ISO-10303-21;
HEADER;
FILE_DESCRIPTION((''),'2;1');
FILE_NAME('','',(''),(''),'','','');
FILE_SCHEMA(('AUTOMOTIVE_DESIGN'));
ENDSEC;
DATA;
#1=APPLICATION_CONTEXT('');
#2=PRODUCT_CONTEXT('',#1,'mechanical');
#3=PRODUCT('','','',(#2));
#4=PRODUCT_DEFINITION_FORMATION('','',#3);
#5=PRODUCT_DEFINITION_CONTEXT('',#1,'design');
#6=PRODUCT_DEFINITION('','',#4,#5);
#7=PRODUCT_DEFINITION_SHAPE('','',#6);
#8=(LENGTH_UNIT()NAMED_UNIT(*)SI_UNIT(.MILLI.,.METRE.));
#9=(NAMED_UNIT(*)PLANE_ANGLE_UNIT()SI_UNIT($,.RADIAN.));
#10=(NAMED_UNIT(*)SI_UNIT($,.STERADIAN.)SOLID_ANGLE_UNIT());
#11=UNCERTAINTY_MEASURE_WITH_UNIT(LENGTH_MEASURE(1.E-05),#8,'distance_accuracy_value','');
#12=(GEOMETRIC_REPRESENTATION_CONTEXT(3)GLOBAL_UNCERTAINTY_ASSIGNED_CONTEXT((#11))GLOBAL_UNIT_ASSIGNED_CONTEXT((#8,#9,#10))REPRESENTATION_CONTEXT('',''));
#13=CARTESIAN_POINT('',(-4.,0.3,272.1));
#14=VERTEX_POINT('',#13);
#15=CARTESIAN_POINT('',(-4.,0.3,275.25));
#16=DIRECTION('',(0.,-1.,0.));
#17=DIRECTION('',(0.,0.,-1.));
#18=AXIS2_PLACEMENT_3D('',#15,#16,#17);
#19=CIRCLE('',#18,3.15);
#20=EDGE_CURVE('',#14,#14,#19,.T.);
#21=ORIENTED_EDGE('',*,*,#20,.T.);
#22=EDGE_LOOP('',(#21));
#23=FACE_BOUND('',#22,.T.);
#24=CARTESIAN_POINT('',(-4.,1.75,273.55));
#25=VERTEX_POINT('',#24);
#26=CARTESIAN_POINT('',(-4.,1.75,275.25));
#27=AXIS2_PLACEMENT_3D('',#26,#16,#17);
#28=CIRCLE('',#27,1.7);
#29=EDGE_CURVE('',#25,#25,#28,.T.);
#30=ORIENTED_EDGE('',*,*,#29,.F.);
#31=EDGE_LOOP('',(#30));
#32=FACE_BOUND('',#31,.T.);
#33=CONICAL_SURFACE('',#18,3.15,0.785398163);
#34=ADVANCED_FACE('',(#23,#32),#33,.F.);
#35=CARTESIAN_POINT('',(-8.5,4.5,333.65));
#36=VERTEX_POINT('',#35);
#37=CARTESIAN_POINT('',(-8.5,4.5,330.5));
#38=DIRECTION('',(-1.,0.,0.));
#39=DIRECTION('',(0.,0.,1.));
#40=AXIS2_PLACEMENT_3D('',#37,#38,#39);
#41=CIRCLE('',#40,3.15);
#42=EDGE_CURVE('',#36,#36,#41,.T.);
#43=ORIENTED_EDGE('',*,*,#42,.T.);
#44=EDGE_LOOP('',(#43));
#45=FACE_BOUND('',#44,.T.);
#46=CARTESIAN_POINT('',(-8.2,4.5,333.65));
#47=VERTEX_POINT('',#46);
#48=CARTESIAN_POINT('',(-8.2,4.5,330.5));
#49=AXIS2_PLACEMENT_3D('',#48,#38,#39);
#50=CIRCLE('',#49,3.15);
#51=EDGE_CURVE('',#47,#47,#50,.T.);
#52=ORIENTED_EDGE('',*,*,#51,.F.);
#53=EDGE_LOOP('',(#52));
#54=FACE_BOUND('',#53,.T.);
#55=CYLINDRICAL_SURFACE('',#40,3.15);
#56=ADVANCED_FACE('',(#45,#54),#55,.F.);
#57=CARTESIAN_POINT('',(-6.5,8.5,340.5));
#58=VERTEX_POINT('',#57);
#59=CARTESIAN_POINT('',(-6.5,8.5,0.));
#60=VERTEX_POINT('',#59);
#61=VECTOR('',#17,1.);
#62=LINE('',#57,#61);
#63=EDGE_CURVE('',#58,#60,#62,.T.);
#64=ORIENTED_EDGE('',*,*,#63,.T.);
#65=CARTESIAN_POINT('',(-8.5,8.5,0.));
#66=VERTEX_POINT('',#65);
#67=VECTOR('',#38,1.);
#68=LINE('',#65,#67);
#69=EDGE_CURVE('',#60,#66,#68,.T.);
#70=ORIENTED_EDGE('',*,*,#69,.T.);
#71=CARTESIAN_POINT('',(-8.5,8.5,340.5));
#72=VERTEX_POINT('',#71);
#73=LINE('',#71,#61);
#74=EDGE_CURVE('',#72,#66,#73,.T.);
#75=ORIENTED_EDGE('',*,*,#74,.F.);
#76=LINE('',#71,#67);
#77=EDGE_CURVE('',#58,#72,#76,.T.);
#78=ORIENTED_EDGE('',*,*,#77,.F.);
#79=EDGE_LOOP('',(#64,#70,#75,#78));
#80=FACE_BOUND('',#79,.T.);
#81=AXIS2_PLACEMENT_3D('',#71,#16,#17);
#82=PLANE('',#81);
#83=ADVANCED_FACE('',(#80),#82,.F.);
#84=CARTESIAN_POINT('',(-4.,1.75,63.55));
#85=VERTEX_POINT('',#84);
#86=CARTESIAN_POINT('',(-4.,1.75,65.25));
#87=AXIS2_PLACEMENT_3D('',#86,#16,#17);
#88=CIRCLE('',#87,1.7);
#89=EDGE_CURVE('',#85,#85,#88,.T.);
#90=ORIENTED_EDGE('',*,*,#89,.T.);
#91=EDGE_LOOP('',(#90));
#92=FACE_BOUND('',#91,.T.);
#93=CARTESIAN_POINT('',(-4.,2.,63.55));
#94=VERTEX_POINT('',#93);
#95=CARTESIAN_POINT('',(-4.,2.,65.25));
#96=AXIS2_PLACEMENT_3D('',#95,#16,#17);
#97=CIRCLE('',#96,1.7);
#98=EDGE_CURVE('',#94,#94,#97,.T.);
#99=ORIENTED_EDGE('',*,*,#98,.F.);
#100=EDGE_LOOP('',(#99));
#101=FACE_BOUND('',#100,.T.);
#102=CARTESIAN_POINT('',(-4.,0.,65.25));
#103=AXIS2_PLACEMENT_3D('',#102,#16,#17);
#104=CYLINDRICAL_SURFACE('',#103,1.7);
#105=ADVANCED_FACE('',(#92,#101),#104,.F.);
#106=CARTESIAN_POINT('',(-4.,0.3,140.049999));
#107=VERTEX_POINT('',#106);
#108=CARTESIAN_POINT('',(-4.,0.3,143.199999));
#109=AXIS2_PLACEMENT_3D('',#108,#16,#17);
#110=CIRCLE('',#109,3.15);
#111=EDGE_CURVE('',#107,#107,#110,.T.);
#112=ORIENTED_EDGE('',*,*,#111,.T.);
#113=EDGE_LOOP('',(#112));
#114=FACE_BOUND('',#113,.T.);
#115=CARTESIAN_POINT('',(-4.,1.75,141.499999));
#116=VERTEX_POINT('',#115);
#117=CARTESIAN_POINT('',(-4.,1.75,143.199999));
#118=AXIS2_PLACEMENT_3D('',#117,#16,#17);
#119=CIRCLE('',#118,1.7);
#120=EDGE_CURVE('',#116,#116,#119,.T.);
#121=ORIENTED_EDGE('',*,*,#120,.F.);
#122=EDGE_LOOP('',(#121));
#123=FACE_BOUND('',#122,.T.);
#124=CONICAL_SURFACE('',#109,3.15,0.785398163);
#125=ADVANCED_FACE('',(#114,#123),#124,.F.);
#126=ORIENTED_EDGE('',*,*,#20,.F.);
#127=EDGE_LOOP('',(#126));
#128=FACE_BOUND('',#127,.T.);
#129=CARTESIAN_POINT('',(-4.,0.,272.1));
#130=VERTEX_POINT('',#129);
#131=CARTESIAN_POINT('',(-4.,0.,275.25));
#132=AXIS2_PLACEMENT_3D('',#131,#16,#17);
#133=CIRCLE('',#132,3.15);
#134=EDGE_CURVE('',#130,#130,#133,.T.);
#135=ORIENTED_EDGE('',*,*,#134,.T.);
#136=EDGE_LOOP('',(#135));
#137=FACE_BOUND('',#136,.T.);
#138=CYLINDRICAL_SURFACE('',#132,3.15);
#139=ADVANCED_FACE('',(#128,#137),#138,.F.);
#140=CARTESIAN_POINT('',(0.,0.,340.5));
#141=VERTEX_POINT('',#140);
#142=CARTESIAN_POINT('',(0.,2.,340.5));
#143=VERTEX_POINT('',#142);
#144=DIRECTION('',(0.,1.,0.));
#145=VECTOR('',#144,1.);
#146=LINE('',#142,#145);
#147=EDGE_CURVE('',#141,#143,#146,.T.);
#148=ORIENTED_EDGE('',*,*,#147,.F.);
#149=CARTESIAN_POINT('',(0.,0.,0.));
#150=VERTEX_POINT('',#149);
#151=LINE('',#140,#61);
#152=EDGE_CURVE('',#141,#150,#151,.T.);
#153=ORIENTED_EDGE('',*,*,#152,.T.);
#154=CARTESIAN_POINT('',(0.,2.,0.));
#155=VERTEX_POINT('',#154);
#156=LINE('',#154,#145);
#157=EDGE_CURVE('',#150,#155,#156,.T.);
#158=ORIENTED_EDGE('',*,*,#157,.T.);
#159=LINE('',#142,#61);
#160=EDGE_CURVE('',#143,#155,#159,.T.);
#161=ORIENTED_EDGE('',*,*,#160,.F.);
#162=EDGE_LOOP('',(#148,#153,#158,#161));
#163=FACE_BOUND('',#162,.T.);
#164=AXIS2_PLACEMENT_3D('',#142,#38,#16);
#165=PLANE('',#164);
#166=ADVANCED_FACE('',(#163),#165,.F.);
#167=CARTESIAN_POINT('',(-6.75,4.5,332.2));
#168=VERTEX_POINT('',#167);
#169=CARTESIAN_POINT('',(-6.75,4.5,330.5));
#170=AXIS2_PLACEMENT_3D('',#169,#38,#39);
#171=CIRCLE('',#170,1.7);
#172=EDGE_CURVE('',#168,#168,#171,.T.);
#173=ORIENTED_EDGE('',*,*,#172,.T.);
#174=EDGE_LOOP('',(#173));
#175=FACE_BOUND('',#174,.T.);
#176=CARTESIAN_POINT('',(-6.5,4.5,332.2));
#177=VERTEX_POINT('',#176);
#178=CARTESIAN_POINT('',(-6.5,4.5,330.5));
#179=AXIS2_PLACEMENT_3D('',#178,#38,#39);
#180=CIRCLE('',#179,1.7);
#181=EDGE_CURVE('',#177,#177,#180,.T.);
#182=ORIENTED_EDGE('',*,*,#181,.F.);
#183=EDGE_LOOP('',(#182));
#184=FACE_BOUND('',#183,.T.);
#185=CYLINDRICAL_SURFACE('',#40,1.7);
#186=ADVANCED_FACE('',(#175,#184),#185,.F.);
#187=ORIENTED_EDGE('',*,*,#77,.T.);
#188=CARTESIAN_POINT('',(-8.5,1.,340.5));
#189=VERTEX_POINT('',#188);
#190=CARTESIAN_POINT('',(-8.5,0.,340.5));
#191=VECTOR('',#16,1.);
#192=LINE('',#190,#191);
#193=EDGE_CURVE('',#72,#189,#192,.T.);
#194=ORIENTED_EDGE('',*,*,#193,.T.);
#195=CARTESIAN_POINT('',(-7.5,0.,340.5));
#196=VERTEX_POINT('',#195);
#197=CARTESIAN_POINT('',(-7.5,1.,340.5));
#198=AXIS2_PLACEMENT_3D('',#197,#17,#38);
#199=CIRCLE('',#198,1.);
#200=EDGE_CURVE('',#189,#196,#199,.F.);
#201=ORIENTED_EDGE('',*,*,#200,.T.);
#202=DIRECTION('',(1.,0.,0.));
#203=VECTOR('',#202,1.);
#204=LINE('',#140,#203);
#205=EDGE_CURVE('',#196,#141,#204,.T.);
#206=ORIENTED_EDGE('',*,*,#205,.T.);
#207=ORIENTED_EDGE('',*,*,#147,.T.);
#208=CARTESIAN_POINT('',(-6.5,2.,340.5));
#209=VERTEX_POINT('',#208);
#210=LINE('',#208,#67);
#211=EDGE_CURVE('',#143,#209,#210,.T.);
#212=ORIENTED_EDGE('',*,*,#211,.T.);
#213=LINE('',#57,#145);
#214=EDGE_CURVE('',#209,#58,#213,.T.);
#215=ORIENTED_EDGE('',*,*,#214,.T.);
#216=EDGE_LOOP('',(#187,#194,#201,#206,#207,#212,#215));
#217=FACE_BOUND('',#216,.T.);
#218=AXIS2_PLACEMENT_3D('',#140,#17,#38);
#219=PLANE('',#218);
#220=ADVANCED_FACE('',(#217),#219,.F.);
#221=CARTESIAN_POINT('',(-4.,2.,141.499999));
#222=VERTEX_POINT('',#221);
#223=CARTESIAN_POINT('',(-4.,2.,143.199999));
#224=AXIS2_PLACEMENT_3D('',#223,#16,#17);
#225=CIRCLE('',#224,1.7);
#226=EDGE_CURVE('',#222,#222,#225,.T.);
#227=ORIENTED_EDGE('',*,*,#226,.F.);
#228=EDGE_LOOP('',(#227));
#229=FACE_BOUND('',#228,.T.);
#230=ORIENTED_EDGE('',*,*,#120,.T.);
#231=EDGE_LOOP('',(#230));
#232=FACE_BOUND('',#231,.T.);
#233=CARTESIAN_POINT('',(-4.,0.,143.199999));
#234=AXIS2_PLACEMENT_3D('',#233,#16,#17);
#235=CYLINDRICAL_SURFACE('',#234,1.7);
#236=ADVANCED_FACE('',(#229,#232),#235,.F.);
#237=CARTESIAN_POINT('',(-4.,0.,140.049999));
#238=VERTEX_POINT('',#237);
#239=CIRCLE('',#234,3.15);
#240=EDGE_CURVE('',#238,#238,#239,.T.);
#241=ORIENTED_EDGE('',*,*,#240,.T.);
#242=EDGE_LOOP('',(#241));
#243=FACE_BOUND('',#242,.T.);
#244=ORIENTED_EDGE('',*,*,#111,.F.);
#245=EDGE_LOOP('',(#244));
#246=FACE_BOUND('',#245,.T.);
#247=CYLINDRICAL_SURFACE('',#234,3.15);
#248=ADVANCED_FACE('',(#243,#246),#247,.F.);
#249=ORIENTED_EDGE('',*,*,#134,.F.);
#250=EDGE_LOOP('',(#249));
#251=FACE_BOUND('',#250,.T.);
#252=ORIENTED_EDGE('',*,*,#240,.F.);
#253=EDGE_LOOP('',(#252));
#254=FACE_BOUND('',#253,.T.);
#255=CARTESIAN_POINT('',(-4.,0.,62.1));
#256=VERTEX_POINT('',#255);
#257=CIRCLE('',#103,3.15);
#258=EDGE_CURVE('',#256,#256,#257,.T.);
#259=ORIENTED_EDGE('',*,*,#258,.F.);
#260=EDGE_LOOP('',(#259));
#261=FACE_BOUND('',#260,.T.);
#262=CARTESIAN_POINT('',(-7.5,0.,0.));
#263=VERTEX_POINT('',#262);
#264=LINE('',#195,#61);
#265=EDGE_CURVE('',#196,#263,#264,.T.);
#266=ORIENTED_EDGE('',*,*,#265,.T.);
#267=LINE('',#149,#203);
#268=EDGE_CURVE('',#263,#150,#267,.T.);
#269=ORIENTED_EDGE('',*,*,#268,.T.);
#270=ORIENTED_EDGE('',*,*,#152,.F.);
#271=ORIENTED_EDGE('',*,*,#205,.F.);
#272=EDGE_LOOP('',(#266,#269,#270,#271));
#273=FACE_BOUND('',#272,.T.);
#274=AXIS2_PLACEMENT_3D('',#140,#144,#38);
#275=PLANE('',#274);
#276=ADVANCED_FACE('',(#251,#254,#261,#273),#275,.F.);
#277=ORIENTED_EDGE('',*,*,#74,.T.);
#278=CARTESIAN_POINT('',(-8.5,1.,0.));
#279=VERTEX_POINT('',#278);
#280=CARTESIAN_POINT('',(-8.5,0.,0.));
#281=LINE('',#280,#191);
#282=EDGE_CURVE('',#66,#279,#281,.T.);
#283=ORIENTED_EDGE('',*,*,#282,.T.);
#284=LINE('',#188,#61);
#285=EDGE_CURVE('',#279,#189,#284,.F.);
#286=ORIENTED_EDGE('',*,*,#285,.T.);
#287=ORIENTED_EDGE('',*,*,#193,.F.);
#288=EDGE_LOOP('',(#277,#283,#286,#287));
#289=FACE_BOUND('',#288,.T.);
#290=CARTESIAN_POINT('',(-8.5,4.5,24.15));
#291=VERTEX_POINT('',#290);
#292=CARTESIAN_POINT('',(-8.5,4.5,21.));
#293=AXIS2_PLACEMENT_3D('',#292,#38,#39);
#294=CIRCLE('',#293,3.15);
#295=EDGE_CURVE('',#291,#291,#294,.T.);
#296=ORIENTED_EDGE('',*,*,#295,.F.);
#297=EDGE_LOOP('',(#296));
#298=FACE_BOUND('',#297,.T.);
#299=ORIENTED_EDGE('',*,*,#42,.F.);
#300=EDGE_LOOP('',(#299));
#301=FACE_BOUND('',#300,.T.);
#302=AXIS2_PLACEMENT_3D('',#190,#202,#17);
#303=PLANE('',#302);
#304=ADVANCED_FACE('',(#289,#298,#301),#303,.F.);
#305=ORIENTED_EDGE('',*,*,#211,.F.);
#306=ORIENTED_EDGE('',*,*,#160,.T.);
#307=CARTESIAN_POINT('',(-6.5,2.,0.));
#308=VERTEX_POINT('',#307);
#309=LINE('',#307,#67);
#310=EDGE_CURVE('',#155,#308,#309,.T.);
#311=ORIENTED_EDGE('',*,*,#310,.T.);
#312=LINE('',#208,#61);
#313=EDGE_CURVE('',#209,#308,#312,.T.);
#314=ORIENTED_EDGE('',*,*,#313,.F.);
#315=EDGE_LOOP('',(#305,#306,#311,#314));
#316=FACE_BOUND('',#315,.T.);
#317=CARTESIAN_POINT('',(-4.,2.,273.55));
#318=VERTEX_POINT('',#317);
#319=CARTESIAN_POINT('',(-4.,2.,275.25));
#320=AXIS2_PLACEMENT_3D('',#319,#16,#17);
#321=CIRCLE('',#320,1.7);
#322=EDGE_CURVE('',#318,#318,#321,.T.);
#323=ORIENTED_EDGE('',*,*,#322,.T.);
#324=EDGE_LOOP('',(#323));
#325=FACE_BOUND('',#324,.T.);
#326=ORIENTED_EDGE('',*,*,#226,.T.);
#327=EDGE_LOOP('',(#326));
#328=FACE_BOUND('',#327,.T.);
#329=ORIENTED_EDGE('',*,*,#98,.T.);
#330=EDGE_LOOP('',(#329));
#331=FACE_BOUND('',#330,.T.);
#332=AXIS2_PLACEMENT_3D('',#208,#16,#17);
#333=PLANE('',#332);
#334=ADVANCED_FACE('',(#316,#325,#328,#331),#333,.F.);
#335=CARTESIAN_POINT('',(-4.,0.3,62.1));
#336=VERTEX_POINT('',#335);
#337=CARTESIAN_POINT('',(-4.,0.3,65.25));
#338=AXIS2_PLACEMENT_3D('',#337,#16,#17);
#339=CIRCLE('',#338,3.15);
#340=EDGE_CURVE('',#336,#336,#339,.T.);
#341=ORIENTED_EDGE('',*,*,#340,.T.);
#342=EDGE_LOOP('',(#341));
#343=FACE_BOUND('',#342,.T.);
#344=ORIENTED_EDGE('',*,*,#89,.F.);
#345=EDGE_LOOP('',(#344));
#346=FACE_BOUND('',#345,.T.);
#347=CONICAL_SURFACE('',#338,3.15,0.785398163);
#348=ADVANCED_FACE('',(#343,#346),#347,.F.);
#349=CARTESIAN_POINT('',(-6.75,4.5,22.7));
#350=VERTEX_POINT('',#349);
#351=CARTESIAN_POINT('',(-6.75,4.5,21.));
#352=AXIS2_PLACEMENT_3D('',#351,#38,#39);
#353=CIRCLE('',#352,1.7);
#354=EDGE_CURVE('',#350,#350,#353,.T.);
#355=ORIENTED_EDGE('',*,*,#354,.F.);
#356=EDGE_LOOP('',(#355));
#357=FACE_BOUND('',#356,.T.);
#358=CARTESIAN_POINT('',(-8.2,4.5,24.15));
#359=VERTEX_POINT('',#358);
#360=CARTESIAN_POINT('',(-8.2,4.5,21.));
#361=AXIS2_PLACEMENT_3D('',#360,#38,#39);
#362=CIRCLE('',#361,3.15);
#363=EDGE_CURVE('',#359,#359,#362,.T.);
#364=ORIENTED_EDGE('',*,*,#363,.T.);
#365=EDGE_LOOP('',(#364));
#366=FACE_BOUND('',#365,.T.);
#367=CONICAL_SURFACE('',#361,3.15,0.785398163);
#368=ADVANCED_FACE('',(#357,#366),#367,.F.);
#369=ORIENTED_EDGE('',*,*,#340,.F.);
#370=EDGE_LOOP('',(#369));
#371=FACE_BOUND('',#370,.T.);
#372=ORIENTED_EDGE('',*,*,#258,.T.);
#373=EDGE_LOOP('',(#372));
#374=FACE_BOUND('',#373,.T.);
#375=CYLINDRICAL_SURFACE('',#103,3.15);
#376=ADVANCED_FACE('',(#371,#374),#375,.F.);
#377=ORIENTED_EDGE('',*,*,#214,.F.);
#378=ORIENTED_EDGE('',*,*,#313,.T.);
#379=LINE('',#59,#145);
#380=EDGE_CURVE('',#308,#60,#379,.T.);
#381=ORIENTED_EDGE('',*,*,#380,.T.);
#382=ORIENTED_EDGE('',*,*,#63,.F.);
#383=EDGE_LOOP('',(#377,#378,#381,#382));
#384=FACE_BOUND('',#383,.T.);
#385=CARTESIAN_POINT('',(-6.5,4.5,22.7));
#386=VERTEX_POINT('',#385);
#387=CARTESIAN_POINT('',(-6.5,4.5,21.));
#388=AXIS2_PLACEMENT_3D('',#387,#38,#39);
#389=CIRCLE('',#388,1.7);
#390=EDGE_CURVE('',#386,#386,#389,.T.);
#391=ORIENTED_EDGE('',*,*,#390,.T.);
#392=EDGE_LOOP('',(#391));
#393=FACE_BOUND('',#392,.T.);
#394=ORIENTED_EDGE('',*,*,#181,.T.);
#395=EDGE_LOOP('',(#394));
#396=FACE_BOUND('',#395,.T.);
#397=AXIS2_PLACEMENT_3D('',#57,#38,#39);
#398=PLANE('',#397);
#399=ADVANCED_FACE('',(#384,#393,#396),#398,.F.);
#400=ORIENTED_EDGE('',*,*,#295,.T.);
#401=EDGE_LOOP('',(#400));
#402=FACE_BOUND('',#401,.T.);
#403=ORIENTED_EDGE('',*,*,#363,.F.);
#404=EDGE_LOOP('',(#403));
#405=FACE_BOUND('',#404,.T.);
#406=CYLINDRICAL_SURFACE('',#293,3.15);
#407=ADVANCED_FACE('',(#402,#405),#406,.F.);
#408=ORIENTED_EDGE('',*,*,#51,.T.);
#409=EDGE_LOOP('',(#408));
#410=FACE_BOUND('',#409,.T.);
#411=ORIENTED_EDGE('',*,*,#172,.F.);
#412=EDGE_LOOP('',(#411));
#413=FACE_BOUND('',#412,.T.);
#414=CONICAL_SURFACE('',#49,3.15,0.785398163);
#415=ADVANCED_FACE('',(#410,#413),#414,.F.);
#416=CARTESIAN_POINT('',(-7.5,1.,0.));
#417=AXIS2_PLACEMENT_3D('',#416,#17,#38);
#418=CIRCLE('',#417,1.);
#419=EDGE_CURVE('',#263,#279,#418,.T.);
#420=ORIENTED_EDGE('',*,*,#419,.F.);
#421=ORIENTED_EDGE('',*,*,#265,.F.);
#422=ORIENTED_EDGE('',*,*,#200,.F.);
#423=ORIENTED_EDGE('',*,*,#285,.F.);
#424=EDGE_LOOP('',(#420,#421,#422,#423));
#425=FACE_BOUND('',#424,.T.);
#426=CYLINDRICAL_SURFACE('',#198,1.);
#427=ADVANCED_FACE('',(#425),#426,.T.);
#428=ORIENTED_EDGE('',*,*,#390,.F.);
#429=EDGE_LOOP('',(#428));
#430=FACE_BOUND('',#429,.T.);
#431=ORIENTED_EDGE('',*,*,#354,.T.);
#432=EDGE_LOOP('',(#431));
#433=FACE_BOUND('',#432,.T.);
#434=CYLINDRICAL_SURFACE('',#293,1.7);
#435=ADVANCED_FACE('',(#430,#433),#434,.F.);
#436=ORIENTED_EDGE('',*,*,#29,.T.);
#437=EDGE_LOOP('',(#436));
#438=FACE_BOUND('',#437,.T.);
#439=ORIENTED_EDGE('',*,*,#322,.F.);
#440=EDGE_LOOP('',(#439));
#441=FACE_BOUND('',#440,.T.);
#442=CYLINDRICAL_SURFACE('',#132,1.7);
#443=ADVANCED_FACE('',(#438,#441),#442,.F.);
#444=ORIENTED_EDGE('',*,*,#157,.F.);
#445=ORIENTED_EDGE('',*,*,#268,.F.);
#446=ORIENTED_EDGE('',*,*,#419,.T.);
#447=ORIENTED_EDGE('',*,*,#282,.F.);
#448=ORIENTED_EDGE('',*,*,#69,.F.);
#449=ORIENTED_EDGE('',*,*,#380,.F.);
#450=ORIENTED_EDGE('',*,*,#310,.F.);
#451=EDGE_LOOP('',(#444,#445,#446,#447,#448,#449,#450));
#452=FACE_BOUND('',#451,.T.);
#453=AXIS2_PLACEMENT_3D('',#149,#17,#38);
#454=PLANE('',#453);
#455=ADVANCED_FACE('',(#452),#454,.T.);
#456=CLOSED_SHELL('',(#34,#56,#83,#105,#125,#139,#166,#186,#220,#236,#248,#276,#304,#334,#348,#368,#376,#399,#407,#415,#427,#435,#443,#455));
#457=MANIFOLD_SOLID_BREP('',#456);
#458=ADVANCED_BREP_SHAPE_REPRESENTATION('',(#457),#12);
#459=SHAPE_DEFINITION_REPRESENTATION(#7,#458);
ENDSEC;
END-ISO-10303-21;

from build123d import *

# Parameters (mm, degrees)
BOSS_EXTRUDE1_DEPTH = 340.5
FILLET1_R           = 1


with BuildPart() as part:
    # Sketch1 → Boss-Extrude1 (new body)
    with BuildSketch(Plane.XY):
        Polygon((0, 0), (-8.5, 0), (-8.5, 8.5), (-6.5, 8.5), (-6.5, 2), (0, 2), align=None)
    extrude(amount=BOSS_EXTRUDE1_DEPTH)

    # Fillet1
    fillet1_edges = [part.edges().sort_by_distance(p)[0] for p in [
        (-8.5, 0, 170.25),
    ]]
    fillet(fillet1_edges, radius=FILLET1_R)

    # Sketch7 → CSK for M3 Countersunk Flat Head Screw1 (revolve, cut)
    with BuildSketch(Plane(origin=(-8.5, 4.5, 21), x_dir=(0, 0, 1), z_dir=(0, 1, 0))):
        Polygon((0, 0), (0, 10.521463052), (1.7, 9.5), (1.7, 1.75), (3.15, 0.3), (3.15, 0), align=None)
    revolve(axis=Axis((-14.85, 4.5, 21), (1, 0, 0)), mode=Mode.SUBTRACT)

    # Sketch7 at point 2 (carried to point 2, square into its face) → CSK for M3 Countersunk Flat Head Scr 2 (revolve, cut)
    with BuildSketch(Plane(origin=(-4, 0, 65.25), x_dir=(0, 0, 1), z_dir=(-1, 0, 0))):
        Polygon((0, 0), (0, 10.521463052), (1.7, 9.5), (1.7, 1.75), (3.15, 0.3), (3.15, 0), align=None)
    revolve(axis=Axis((-4, -6.35, 65.25), (0, 1, 0)), mode=Mode.SUBTRACT)

    # Sketch7 at point 3 (carried to point 3, square into its face) → CSK for M3 Countersunk Flat Head Scr 3 (revolve, cut)
    with BuildSketch(Plane(origin=(-4, 0, 143.19999924), x_dir=(0, 0, 1), z_dir=(-1, 0, 0))):
        Polygon((0, 0), (0, 10.521463052), (1.7, 9.5), (1.7, 1.75), (3.15, 0.3), (3.15, 0), align=None)
    revolve(axis=Axis((-4, -6.35, 143.19999924), (0, 1, 0)), mode=Mode.SUBTRACT)

    # Sketch7 at point 4 (carried to point 4, square into its face) → CSK for M3 Countersunk Flat Head Scr 4 (revolve, cut)
    with BuildSketch(Plane(origin=(-4, 0, 275.25), x_dir=(0, 0, 1), z_dir=(-1, 0, 0))):
        Polygon((0, 0), (0, 10.521463052), (1.7, 9.5), (1.7, 1.75), (3.15, 0.3), (3.15, 0), align=None)
    revolve(axis=Axis((-4, -6.35, 275.25), (0, 1, 0)), mode=Mode.SUBTRACT)

    # Sketch7 at point 5 (carried to point 5, square into its face) → CSK for M3 Countersunk Flat Head Scr 5 (revolve, cut)
    with BuildSketch(Plane(origin=(-8.5, 4.5, 330.5), x_dir=(0, 0, 1), z_dir=(0, 1, 0))):
        Polygon((0, 0), (0, 10.521463052), (1.7, 9.5), (1.7, 1.75), (3.15, 0.3), (3.15, 0), align=None)
    revolve(axis=Axis((-14.85, 4.5, 330.5), (1, 0, 0)), mode=Mode.SUBTRACT)


solid = part.part
